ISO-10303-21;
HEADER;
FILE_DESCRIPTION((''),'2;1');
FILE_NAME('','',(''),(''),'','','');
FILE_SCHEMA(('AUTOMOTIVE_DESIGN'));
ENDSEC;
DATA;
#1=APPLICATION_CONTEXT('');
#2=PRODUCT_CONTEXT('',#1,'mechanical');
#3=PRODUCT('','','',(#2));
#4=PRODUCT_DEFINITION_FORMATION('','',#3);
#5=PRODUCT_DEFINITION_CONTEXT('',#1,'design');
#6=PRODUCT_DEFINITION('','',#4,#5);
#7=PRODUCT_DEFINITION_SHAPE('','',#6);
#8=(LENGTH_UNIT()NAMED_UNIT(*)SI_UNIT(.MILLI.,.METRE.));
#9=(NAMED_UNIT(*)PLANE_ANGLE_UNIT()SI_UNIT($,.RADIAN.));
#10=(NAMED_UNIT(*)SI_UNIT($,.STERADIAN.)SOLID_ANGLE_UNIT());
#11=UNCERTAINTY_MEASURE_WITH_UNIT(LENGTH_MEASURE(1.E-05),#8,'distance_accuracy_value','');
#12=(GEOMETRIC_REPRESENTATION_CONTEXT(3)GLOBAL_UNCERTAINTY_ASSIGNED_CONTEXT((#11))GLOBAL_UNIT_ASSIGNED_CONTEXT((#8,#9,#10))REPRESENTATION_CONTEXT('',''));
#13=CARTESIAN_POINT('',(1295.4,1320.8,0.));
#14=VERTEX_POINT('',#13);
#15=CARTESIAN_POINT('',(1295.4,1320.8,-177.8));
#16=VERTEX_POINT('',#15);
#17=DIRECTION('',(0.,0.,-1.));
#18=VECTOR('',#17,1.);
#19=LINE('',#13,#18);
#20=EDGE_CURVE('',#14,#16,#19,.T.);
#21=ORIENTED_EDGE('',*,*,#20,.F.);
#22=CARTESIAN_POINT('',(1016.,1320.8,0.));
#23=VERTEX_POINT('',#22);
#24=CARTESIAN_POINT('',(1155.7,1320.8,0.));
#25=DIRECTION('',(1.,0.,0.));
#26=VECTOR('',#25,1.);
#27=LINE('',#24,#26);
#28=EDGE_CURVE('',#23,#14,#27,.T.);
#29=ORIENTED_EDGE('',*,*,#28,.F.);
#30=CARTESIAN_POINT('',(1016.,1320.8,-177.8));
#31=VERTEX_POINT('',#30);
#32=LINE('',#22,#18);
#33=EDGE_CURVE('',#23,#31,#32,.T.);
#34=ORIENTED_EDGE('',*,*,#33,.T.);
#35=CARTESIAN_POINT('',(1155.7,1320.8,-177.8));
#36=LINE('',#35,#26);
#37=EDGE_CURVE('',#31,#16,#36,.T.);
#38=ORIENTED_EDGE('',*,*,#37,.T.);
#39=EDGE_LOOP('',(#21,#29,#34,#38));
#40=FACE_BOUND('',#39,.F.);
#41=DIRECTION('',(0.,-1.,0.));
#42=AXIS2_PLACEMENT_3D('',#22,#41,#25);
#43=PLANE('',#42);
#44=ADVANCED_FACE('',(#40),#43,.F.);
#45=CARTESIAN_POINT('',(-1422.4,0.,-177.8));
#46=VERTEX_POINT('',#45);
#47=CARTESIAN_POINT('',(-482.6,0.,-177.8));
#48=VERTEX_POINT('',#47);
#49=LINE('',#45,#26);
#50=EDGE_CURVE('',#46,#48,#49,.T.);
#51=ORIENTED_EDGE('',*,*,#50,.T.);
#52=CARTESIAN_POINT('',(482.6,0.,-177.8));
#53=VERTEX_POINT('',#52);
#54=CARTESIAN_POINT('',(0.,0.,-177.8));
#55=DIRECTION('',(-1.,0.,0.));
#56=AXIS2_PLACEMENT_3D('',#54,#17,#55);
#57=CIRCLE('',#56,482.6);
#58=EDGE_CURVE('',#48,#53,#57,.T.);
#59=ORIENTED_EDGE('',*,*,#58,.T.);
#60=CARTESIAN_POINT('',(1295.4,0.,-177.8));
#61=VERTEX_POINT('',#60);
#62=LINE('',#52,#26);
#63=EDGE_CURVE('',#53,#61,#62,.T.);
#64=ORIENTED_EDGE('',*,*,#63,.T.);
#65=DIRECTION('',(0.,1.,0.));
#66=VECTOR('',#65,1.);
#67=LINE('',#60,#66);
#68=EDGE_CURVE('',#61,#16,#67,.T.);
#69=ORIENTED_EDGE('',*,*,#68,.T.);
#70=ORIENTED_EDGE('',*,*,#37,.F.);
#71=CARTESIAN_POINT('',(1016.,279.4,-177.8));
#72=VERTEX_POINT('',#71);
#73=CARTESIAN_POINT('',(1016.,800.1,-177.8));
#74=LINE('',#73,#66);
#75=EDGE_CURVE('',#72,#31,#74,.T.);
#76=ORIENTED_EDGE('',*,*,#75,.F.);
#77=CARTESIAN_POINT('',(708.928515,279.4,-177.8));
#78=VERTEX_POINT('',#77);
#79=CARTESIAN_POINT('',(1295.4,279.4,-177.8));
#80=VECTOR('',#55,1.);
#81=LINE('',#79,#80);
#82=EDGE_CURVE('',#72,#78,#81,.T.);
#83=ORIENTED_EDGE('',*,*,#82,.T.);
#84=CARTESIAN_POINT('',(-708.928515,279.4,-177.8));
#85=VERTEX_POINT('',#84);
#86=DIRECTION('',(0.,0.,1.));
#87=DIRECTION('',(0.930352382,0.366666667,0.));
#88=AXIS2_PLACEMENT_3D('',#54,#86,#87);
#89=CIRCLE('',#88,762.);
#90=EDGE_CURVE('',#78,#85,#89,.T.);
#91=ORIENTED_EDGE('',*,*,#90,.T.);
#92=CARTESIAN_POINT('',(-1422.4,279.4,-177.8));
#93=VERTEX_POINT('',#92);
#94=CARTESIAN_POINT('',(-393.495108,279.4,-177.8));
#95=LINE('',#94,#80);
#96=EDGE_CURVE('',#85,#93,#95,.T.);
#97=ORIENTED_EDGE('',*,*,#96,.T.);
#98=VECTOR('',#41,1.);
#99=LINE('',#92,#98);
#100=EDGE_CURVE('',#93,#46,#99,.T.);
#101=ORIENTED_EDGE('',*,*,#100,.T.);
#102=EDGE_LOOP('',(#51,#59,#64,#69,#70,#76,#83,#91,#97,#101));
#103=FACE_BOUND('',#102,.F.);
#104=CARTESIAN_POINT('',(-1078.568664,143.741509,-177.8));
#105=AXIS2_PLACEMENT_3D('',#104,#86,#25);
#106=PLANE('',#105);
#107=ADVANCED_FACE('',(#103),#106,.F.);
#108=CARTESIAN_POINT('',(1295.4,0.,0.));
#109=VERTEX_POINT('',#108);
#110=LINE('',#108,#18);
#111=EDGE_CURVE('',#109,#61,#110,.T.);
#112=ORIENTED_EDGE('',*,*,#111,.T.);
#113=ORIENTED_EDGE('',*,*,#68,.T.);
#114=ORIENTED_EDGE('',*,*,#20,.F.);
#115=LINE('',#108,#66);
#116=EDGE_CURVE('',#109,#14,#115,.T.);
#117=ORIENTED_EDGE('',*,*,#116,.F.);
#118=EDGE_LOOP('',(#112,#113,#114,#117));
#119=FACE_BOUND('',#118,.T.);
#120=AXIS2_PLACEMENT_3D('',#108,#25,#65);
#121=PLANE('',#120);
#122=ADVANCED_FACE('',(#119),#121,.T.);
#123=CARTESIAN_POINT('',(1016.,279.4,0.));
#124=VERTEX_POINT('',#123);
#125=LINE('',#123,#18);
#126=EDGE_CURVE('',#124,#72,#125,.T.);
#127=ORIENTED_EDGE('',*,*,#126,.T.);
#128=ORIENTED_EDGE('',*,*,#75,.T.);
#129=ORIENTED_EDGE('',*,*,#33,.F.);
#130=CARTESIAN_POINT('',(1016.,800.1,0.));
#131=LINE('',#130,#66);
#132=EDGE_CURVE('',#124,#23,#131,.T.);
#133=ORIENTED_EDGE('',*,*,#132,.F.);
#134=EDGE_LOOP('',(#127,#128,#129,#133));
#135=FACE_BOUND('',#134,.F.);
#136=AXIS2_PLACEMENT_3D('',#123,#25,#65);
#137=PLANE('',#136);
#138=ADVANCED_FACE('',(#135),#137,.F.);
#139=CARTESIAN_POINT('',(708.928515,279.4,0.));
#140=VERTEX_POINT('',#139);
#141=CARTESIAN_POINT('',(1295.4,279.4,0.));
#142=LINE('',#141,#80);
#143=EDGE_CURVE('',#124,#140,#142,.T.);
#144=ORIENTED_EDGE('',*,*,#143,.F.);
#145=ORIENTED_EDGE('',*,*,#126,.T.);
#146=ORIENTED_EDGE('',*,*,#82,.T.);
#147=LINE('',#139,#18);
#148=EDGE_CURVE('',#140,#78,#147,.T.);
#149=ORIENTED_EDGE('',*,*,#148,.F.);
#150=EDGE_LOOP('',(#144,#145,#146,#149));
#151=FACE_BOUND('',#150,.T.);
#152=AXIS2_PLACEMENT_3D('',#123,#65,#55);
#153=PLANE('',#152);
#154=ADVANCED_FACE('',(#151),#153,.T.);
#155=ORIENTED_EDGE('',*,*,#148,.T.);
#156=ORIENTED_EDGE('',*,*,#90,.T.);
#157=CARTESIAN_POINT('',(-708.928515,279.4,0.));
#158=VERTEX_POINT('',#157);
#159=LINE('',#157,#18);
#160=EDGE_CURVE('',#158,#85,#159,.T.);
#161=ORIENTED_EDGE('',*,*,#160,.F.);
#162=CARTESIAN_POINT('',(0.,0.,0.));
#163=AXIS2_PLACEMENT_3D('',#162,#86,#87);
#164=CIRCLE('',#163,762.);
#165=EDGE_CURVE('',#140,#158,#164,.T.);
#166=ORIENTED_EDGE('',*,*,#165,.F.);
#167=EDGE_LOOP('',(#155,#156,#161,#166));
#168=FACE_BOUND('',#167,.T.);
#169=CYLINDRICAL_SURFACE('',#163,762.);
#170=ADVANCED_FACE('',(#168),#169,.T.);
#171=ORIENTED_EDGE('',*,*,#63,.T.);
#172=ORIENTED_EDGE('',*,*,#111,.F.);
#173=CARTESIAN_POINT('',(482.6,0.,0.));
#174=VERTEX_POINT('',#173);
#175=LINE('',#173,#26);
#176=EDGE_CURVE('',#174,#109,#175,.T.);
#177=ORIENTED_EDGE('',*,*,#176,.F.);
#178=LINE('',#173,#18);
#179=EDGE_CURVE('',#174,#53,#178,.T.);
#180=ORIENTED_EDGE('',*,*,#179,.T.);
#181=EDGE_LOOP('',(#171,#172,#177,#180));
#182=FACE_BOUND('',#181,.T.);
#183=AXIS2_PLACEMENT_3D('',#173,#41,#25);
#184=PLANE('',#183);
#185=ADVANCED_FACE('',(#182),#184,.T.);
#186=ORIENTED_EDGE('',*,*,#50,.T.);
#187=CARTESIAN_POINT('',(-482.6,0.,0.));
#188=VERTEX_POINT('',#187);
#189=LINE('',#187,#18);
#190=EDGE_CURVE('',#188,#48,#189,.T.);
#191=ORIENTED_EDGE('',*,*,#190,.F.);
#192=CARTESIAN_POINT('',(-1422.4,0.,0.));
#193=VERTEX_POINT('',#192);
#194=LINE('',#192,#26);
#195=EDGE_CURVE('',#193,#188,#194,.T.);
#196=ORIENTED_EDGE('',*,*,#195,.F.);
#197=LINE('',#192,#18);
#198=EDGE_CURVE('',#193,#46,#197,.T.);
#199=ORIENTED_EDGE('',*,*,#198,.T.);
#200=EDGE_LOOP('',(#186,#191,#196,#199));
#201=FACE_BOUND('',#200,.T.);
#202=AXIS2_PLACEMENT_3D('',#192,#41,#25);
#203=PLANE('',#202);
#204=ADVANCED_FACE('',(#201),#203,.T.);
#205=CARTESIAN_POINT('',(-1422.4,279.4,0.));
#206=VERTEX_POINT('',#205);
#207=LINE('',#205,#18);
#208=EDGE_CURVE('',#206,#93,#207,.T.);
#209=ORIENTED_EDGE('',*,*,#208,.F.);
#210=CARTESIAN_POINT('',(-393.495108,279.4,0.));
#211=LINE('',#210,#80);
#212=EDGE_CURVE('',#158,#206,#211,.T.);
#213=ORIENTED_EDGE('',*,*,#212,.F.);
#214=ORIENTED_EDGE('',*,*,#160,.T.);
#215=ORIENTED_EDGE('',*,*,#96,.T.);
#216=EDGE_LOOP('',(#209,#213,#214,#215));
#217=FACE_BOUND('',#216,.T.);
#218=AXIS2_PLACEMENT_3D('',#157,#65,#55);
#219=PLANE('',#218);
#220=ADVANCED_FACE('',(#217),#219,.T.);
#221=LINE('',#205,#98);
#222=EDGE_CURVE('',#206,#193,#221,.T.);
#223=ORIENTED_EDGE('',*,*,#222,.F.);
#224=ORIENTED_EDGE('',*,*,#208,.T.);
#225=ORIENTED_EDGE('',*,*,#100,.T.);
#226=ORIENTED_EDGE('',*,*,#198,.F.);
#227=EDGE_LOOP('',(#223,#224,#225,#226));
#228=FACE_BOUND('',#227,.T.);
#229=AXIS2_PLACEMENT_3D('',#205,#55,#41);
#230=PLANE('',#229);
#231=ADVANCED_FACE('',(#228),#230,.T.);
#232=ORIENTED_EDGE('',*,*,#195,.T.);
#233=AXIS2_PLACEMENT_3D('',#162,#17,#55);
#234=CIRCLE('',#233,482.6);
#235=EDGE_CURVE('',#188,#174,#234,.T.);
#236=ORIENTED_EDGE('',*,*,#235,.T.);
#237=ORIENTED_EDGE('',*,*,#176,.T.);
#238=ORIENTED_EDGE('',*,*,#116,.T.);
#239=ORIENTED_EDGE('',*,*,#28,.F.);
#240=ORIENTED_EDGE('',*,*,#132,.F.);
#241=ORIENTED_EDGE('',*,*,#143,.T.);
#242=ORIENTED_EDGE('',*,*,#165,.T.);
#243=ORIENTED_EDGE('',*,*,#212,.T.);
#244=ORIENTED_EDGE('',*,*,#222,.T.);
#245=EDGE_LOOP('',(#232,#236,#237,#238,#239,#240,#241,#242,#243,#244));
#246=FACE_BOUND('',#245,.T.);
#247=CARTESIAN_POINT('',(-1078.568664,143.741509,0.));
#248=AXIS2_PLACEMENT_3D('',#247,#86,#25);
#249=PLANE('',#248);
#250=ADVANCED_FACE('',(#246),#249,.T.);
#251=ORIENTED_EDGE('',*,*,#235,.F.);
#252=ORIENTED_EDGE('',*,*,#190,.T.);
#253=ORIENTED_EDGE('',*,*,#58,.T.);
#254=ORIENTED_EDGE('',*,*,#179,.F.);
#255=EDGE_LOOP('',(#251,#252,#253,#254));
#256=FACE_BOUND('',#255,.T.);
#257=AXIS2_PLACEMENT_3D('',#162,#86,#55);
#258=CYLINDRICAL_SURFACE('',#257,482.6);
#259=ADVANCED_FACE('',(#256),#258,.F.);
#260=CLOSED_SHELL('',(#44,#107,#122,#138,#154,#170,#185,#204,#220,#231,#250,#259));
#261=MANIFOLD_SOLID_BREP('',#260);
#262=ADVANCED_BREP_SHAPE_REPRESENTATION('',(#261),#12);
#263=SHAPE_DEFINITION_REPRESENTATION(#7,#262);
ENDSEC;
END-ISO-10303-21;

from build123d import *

# Parameters (mm, degrees)
F0_W     = 279.4
F0_H     = 1041.4
F1_DEPTH = 177.8


with BuildPart() as f1:
    # F0 (on Top) → F1 (new body)
    with BuildSketch(Plane.XY):
        with BuildLine():
            Line((-1422.4, 0), (-762, 0))
            ThreePointArc((-762, 0), (-748.6145632978, 142.1978748731), (-708.9285154372, 279.4))
            Line((-708.9285154372, 279.4), (-1422.4, 279.4))
            Line((-1422.4, 279.4), (-1422.4, 0))
        make_face()
        with BuildLine():
            Line((-762, 0), (-482.6, 0))
            ThreePointArc((-482.6, 0), (-459.7844598878, 146.6322285369), (-393.4951079747, 279.4))
            Line((-393.4951079747, 279.4), (-708.9285154372, 279.4))
            ThreePointArc((-708.9285154372, 279.4), (-748.6145632978, 142.1978748731), (-762, 0))
        make_face()
        with BuildLine():
            ThreePointArc((393.4951079747, 279.4), (459.7844598878, 146.6322285369), (482.6, 0))
            Line((482.6, 0), (762, 0))
            ThreePointArc((762, 0), (748.6145632978, 142.1978748731), (708.9285154372, 279.4))
            Line((708.9285154372, 279.4), (393.4951079747, 279.4))
        make_face()
        with BuildLine():
            ThreePointArc((708.9285154372, 279.4), (748.6145632978, 142.1978748731), (762, 0))
            Line((762, 0), (1295.4, 0))
            Line((1295.4, 0), (1295.4, 279.4))
            Line((1295.4, 279.4), (1016, 279.4))
            Line((1016, 279.4), (708.9285154372, 279.4))
        make_face()
        with Locations((1155.7, 800.1)):
            Rectangle(F0_W, F0_H)
        with BuildLine():
            ThreePointArc((-393.4951079747, 279.4), (0, 482.6), (393.4951079747, 279.4))
            Line((393.4951079747, 279.4), (708.9285154372, 279.4))
            ThreePointArc((708.9285154372, 279.4), (0, 762), (-708.9285154372, 279.4))
            Line((-708.9285154372, 279.4), (-393.4951079747, 279.4))
        make_face()
    extrude(amount=-F1_DEPTH)


solid = f1.part
